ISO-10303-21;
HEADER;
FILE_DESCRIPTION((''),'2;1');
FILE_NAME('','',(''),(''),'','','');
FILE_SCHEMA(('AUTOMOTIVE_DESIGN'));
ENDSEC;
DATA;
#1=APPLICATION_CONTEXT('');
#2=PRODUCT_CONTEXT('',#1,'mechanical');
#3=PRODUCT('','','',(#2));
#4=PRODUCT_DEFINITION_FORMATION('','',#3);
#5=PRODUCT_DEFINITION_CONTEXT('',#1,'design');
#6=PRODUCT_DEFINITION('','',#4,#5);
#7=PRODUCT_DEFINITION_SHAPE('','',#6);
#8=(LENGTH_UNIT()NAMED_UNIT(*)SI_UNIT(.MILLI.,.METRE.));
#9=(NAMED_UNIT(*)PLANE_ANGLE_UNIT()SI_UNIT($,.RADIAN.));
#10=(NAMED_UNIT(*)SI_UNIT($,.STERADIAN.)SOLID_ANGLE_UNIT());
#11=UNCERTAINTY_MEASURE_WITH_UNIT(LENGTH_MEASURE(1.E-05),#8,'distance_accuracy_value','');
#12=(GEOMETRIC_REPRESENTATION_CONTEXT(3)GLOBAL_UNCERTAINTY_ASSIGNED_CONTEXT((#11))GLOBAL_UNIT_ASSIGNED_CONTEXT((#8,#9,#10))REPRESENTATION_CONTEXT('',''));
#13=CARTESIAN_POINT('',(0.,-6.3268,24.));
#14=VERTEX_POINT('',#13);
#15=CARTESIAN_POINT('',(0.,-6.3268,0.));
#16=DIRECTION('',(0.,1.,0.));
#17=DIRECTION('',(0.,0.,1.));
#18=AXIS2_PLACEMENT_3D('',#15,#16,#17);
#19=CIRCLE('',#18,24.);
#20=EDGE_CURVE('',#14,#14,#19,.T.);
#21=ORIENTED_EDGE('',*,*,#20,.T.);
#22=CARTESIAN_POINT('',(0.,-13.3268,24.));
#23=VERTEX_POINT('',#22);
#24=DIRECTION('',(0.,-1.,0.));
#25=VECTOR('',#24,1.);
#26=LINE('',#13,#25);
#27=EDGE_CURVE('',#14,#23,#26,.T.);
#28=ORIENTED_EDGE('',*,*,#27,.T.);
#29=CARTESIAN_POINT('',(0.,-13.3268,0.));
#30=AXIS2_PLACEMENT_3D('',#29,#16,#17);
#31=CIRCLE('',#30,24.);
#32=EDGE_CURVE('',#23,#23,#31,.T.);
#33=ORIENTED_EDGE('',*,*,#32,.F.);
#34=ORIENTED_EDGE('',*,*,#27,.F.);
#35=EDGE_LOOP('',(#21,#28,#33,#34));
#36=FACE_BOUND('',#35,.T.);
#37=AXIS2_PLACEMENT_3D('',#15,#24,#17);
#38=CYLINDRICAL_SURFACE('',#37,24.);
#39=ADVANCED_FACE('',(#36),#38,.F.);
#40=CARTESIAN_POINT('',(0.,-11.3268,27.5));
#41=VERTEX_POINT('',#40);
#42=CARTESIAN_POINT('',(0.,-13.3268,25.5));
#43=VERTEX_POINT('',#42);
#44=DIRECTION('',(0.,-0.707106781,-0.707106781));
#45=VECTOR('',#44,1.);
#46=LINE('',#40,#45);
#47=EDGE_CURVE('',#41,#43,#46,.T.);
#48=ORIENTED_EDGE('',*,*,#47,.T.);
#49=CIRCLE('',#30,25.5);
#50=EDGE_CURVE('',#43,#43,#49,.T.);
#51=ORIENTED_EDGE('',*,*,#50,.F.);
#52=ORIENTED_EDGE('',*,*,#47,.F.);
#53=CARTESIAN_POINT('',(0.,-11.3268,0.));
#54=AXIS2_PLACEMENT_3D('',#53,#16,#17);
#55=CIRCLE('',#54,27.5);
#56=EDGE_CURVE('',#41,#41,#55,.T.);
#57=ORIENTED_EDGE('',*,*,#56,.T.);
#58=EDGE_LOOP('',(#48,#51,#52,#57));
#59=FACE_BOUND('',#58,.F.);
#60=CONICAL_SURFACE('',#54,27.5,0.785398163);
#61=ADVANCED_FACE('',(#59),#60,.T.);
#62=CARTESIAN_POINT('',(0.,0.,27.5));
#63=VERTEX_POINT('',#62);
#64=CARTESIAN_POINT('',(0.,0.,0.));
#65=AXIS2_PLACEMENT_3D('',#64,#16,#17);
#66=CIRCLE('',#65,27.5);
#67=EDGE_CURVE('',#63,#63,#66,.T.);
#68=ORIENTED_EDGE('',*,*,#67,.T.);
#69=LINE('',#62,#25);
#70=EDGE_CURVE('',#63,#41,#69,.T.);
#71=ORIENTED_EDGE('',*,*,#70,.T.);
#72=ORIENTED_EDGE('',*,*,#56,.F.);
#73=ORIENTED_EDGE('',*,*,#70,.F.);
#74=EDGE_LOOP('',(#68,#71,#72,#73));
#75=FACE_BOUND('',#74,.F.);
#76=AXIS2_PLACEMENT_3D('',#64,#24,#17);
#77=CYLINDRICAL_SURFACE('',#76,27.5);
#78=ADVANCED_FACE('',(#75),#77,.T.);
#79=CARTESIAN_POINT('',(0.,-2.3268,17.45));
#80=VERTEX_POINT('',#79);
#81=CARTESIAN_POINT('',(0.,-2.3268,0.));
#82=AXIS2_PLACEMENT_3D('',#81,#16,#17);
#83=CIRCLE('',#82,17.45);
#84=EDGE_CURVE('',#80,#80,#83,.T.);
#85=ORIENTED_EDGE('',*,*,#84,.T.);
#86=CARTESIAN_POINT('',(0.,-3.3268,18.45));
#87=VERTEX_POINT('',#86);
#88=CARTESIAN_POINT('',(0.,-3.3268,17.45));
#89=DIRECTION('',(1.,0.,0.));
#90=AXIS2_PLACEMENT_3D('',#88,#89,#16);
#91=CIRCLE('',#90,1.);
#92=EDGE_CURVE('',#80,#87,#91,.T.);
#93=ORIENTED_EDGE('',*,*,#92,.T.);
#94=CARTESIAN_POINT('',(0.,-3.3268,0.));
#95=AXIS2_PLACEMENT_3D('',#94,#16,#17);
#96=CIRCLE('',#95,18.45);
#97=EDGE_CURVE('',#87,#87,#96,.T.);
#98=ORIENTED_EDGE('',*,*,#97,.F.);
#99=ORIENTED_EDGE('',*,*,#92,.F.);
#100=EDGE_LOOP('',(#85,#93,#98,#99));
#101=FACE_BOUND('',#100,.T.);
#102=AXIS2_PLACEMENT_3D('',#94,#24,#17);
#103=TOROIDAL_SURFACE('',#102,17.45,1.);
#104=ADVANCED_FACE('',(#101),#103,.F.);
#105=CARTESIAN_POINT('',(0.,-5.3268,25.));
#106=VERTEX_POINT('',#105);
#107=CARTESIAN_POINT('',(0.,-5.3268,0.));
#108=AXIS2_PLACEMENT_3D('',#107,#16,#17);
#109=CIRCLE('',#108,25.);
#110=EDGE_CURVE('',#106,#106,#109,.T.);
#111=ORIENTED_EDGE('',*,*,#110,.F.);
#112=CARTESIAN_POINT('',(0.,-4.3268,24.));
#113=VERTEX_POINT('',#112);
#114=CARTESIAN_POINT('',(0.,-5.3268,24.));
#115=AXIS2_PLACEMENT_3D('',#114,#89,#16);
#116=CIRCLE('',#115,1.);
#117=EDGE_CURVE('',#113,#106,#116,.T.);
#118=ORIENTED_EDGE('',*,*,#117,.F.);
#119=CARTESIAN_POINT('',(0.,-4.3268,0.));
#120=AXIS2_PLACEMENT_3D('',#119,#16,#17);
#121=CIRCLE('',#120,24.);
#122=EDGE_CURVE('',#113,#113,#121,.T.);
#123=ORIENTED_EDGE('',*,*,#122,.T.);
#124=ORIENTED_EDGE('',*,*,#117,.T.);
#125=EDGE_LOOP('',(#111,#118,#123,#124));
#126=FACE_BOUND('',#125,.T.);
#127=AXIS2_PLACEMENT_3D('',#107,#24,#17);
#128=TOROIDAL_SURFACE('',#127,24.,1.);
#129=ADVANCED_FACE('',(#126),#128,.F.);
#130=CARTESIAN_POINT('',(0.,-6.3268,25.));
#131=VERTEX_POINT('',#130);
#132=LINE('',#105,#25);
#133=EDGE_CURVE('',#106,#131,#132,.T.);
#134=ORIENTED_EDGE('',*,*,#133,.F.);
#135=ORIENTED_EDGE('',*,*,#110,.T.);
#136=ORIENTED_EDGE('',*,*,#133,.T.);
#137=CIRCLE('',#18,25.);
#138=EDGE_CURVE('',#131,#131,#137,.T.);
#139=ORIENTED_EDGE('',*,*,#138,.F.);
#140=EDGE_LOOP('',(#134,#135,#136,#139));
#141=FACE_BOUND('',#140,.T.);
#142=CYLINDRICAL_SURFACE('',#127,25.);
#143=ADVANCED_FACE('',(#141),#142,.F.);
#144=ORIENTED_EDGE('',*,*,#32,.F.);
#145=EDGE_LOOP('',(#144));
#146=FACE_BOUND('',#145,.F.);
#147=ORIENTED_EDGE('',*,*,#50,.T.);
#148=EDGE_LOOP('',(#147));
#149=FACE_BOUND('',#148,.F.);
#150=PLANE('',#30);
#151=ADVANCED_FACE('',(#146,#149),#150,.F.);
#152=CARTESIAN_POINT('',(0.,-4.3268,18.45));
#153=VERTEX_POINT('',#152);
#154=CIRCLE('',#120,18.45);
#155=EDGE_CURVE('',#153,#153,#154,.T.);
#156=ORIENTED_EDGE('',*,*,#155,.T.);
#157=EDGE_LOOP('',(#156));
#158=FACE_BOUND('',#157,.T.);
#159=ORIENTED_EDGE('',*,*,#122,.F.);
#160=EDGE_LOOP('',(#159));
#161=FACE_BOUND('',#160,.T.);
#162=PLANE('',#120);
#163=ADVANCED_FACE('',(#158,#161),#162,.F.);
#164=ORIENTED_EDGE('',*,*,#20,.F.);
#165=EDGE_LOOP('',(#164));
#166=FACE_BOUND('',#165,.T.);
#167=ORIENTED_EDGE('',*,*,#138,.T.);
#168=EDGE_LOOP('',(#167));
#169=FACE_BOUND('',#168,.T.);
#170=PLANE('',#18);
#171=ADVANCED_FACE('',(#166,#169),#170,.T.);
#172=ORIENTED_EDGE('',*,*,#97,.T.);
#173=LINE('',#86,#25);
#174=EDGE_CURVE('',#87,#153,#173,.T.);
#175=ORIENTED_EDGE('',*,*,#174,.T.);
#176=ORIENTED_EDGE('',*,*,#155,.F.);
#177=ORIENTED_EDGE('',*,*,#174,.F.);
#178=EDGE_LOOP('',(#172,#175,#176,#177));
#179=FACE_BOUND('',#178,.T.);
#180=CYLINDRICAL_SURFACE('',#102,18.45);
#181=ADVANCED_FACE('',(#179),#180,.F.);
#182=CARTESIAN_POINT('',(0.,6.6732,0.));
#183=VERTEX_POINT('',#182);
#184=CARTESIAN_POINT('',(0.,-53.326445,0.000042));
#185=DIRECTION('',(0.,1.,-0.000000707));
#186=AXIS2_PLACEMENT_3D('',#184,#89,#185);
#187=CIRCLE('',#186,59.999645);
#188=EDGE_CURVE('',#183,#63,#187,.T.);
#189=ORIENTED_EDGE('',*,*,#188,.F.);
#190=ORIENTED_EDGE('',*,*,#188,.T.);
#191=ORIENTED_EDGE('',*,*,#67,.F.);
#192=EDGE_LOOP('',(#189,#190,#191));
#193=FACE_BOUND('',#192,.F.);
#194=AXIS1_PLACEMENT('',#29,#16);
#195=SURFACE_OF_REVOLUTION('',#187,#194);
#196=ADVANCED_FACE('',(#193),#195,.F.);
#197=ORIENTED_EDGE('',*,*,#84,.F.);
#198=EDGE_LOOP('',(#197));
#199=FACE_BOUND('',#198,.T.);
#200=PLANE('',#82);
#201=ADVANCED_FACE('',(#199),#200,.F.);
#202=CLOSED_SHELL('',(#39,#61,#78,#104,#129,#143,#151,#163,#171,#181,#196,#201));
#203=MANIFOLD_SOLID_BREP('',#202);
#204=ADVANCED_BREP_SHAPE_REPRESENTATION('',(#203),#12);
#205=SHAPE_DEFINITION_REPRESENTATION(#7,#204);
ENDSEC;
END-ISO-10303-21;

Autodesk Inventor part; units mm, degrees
ref_plane "YZ Plane" through (0, 0, 0) normal (1, 0, 0) x (0, 1, 0)
ref_plane "XZ Plane" through (0, 0, 0) normal (0, 1, 0) x (-1, 0, 0)
ref_plane "XY Plane" through (0, 0, 0) normal (0, 0, 1) x (1, 0, 0)
sketch "草图2" plane through (0, 0, 0) normal (1, 0, 0) x (0, 1, 0)
  line L0 (0, 27.5) -> (-11.3268, 27.5)
  line L1 (-11.3268, 27.5) -> (-13.3268, 25.5)
  line L2 (-13.3268, 25.5) -> (-13.3268, 0)
  line L3 (-13.3268, 0) -> (6.6732, 0)
  arc A0 (6.6732, 0) -> (0, 27.5) centre (-53.3268, 0) ccw
  line L4 (-2.3268, 0) -> (-2.3268, 17.45)
  line L5 (-3.3268, 18.45) -> (-4.3268, 18.45)
  line L6 (-4.3268, 18.45) -> (-4.3268, 24)
  line L7 (-5.3268, 25) -> (-6.3268, 25)
  line L8 (-6.3268, 25) -> (-6.3268, 24)
  line L9 (-6.3268, 24) -> (-13.3268, 24)
  arc A1 (-2.3268, 17.45) -> (-3.3268, 18.45) centre (-3.3268, 17.45) ccw
  arc A2 (-4.3268, 24) -> (-5.3268, 25) centre (-5.3268, 24) ccw
  point P0 (0, 0)
  dimension "d0" = 45
  dimension "d5" = 2
  dimension "d6" = 27.5
  dimension "d7" = 20
  dimension "d8" = 60
  dimension "d10" = 1
  dimension "d11" = 1
  dimension "d12" = 2
  dimension "d13" = 2
  dimension "d14" = 7
  dimension "d15" = 18.45
  dimension "d16" = 24
revolve "旋转1" add sketch "草图2" angle 360 about axis through (0, -13.3268, 0) along (0, 1, 0) contours A0 L3 L4 A1 L5 L6 A2 L7 L8 L9 L2 L1 L0
thread "螺纹1" size "M48x1.5" class "6H" standard "GB Metric profile" length 20
equation "\"d6\" = 0.5 * D"
equation "\"d7\" = c_"
equation "\"d8\" = R"
equation "\"d12\" = e"
equation "\"d13\" = f_"
equation "\"d14\" = K_"
equation "\"d15\" = 0.5 * D1"
equation "\"d16\" = 0.5 * d1"
equation "\"d\" = 24"
equation "\"d1\" = 48"
equation "\"d2\" = 12"
equation "\"d3\" = 5"
equation "\"d4\" = 22"
equation "\"D\" = 55"
equation "\"a\" = 15"
equation "\"b\" = 8"
equation "\"c_\" = 20"
equation "\"h1\" = 22"
equation "\"R\" = 60"
equation "\"D1\" = 36.9"
equation "\"S_\" = 32"
equation "\"K_\" = 7"
equation "\"e\" = 2"
equation "\"f_\" = 2"
properties part number "通气器盖子" material "钢，软"
